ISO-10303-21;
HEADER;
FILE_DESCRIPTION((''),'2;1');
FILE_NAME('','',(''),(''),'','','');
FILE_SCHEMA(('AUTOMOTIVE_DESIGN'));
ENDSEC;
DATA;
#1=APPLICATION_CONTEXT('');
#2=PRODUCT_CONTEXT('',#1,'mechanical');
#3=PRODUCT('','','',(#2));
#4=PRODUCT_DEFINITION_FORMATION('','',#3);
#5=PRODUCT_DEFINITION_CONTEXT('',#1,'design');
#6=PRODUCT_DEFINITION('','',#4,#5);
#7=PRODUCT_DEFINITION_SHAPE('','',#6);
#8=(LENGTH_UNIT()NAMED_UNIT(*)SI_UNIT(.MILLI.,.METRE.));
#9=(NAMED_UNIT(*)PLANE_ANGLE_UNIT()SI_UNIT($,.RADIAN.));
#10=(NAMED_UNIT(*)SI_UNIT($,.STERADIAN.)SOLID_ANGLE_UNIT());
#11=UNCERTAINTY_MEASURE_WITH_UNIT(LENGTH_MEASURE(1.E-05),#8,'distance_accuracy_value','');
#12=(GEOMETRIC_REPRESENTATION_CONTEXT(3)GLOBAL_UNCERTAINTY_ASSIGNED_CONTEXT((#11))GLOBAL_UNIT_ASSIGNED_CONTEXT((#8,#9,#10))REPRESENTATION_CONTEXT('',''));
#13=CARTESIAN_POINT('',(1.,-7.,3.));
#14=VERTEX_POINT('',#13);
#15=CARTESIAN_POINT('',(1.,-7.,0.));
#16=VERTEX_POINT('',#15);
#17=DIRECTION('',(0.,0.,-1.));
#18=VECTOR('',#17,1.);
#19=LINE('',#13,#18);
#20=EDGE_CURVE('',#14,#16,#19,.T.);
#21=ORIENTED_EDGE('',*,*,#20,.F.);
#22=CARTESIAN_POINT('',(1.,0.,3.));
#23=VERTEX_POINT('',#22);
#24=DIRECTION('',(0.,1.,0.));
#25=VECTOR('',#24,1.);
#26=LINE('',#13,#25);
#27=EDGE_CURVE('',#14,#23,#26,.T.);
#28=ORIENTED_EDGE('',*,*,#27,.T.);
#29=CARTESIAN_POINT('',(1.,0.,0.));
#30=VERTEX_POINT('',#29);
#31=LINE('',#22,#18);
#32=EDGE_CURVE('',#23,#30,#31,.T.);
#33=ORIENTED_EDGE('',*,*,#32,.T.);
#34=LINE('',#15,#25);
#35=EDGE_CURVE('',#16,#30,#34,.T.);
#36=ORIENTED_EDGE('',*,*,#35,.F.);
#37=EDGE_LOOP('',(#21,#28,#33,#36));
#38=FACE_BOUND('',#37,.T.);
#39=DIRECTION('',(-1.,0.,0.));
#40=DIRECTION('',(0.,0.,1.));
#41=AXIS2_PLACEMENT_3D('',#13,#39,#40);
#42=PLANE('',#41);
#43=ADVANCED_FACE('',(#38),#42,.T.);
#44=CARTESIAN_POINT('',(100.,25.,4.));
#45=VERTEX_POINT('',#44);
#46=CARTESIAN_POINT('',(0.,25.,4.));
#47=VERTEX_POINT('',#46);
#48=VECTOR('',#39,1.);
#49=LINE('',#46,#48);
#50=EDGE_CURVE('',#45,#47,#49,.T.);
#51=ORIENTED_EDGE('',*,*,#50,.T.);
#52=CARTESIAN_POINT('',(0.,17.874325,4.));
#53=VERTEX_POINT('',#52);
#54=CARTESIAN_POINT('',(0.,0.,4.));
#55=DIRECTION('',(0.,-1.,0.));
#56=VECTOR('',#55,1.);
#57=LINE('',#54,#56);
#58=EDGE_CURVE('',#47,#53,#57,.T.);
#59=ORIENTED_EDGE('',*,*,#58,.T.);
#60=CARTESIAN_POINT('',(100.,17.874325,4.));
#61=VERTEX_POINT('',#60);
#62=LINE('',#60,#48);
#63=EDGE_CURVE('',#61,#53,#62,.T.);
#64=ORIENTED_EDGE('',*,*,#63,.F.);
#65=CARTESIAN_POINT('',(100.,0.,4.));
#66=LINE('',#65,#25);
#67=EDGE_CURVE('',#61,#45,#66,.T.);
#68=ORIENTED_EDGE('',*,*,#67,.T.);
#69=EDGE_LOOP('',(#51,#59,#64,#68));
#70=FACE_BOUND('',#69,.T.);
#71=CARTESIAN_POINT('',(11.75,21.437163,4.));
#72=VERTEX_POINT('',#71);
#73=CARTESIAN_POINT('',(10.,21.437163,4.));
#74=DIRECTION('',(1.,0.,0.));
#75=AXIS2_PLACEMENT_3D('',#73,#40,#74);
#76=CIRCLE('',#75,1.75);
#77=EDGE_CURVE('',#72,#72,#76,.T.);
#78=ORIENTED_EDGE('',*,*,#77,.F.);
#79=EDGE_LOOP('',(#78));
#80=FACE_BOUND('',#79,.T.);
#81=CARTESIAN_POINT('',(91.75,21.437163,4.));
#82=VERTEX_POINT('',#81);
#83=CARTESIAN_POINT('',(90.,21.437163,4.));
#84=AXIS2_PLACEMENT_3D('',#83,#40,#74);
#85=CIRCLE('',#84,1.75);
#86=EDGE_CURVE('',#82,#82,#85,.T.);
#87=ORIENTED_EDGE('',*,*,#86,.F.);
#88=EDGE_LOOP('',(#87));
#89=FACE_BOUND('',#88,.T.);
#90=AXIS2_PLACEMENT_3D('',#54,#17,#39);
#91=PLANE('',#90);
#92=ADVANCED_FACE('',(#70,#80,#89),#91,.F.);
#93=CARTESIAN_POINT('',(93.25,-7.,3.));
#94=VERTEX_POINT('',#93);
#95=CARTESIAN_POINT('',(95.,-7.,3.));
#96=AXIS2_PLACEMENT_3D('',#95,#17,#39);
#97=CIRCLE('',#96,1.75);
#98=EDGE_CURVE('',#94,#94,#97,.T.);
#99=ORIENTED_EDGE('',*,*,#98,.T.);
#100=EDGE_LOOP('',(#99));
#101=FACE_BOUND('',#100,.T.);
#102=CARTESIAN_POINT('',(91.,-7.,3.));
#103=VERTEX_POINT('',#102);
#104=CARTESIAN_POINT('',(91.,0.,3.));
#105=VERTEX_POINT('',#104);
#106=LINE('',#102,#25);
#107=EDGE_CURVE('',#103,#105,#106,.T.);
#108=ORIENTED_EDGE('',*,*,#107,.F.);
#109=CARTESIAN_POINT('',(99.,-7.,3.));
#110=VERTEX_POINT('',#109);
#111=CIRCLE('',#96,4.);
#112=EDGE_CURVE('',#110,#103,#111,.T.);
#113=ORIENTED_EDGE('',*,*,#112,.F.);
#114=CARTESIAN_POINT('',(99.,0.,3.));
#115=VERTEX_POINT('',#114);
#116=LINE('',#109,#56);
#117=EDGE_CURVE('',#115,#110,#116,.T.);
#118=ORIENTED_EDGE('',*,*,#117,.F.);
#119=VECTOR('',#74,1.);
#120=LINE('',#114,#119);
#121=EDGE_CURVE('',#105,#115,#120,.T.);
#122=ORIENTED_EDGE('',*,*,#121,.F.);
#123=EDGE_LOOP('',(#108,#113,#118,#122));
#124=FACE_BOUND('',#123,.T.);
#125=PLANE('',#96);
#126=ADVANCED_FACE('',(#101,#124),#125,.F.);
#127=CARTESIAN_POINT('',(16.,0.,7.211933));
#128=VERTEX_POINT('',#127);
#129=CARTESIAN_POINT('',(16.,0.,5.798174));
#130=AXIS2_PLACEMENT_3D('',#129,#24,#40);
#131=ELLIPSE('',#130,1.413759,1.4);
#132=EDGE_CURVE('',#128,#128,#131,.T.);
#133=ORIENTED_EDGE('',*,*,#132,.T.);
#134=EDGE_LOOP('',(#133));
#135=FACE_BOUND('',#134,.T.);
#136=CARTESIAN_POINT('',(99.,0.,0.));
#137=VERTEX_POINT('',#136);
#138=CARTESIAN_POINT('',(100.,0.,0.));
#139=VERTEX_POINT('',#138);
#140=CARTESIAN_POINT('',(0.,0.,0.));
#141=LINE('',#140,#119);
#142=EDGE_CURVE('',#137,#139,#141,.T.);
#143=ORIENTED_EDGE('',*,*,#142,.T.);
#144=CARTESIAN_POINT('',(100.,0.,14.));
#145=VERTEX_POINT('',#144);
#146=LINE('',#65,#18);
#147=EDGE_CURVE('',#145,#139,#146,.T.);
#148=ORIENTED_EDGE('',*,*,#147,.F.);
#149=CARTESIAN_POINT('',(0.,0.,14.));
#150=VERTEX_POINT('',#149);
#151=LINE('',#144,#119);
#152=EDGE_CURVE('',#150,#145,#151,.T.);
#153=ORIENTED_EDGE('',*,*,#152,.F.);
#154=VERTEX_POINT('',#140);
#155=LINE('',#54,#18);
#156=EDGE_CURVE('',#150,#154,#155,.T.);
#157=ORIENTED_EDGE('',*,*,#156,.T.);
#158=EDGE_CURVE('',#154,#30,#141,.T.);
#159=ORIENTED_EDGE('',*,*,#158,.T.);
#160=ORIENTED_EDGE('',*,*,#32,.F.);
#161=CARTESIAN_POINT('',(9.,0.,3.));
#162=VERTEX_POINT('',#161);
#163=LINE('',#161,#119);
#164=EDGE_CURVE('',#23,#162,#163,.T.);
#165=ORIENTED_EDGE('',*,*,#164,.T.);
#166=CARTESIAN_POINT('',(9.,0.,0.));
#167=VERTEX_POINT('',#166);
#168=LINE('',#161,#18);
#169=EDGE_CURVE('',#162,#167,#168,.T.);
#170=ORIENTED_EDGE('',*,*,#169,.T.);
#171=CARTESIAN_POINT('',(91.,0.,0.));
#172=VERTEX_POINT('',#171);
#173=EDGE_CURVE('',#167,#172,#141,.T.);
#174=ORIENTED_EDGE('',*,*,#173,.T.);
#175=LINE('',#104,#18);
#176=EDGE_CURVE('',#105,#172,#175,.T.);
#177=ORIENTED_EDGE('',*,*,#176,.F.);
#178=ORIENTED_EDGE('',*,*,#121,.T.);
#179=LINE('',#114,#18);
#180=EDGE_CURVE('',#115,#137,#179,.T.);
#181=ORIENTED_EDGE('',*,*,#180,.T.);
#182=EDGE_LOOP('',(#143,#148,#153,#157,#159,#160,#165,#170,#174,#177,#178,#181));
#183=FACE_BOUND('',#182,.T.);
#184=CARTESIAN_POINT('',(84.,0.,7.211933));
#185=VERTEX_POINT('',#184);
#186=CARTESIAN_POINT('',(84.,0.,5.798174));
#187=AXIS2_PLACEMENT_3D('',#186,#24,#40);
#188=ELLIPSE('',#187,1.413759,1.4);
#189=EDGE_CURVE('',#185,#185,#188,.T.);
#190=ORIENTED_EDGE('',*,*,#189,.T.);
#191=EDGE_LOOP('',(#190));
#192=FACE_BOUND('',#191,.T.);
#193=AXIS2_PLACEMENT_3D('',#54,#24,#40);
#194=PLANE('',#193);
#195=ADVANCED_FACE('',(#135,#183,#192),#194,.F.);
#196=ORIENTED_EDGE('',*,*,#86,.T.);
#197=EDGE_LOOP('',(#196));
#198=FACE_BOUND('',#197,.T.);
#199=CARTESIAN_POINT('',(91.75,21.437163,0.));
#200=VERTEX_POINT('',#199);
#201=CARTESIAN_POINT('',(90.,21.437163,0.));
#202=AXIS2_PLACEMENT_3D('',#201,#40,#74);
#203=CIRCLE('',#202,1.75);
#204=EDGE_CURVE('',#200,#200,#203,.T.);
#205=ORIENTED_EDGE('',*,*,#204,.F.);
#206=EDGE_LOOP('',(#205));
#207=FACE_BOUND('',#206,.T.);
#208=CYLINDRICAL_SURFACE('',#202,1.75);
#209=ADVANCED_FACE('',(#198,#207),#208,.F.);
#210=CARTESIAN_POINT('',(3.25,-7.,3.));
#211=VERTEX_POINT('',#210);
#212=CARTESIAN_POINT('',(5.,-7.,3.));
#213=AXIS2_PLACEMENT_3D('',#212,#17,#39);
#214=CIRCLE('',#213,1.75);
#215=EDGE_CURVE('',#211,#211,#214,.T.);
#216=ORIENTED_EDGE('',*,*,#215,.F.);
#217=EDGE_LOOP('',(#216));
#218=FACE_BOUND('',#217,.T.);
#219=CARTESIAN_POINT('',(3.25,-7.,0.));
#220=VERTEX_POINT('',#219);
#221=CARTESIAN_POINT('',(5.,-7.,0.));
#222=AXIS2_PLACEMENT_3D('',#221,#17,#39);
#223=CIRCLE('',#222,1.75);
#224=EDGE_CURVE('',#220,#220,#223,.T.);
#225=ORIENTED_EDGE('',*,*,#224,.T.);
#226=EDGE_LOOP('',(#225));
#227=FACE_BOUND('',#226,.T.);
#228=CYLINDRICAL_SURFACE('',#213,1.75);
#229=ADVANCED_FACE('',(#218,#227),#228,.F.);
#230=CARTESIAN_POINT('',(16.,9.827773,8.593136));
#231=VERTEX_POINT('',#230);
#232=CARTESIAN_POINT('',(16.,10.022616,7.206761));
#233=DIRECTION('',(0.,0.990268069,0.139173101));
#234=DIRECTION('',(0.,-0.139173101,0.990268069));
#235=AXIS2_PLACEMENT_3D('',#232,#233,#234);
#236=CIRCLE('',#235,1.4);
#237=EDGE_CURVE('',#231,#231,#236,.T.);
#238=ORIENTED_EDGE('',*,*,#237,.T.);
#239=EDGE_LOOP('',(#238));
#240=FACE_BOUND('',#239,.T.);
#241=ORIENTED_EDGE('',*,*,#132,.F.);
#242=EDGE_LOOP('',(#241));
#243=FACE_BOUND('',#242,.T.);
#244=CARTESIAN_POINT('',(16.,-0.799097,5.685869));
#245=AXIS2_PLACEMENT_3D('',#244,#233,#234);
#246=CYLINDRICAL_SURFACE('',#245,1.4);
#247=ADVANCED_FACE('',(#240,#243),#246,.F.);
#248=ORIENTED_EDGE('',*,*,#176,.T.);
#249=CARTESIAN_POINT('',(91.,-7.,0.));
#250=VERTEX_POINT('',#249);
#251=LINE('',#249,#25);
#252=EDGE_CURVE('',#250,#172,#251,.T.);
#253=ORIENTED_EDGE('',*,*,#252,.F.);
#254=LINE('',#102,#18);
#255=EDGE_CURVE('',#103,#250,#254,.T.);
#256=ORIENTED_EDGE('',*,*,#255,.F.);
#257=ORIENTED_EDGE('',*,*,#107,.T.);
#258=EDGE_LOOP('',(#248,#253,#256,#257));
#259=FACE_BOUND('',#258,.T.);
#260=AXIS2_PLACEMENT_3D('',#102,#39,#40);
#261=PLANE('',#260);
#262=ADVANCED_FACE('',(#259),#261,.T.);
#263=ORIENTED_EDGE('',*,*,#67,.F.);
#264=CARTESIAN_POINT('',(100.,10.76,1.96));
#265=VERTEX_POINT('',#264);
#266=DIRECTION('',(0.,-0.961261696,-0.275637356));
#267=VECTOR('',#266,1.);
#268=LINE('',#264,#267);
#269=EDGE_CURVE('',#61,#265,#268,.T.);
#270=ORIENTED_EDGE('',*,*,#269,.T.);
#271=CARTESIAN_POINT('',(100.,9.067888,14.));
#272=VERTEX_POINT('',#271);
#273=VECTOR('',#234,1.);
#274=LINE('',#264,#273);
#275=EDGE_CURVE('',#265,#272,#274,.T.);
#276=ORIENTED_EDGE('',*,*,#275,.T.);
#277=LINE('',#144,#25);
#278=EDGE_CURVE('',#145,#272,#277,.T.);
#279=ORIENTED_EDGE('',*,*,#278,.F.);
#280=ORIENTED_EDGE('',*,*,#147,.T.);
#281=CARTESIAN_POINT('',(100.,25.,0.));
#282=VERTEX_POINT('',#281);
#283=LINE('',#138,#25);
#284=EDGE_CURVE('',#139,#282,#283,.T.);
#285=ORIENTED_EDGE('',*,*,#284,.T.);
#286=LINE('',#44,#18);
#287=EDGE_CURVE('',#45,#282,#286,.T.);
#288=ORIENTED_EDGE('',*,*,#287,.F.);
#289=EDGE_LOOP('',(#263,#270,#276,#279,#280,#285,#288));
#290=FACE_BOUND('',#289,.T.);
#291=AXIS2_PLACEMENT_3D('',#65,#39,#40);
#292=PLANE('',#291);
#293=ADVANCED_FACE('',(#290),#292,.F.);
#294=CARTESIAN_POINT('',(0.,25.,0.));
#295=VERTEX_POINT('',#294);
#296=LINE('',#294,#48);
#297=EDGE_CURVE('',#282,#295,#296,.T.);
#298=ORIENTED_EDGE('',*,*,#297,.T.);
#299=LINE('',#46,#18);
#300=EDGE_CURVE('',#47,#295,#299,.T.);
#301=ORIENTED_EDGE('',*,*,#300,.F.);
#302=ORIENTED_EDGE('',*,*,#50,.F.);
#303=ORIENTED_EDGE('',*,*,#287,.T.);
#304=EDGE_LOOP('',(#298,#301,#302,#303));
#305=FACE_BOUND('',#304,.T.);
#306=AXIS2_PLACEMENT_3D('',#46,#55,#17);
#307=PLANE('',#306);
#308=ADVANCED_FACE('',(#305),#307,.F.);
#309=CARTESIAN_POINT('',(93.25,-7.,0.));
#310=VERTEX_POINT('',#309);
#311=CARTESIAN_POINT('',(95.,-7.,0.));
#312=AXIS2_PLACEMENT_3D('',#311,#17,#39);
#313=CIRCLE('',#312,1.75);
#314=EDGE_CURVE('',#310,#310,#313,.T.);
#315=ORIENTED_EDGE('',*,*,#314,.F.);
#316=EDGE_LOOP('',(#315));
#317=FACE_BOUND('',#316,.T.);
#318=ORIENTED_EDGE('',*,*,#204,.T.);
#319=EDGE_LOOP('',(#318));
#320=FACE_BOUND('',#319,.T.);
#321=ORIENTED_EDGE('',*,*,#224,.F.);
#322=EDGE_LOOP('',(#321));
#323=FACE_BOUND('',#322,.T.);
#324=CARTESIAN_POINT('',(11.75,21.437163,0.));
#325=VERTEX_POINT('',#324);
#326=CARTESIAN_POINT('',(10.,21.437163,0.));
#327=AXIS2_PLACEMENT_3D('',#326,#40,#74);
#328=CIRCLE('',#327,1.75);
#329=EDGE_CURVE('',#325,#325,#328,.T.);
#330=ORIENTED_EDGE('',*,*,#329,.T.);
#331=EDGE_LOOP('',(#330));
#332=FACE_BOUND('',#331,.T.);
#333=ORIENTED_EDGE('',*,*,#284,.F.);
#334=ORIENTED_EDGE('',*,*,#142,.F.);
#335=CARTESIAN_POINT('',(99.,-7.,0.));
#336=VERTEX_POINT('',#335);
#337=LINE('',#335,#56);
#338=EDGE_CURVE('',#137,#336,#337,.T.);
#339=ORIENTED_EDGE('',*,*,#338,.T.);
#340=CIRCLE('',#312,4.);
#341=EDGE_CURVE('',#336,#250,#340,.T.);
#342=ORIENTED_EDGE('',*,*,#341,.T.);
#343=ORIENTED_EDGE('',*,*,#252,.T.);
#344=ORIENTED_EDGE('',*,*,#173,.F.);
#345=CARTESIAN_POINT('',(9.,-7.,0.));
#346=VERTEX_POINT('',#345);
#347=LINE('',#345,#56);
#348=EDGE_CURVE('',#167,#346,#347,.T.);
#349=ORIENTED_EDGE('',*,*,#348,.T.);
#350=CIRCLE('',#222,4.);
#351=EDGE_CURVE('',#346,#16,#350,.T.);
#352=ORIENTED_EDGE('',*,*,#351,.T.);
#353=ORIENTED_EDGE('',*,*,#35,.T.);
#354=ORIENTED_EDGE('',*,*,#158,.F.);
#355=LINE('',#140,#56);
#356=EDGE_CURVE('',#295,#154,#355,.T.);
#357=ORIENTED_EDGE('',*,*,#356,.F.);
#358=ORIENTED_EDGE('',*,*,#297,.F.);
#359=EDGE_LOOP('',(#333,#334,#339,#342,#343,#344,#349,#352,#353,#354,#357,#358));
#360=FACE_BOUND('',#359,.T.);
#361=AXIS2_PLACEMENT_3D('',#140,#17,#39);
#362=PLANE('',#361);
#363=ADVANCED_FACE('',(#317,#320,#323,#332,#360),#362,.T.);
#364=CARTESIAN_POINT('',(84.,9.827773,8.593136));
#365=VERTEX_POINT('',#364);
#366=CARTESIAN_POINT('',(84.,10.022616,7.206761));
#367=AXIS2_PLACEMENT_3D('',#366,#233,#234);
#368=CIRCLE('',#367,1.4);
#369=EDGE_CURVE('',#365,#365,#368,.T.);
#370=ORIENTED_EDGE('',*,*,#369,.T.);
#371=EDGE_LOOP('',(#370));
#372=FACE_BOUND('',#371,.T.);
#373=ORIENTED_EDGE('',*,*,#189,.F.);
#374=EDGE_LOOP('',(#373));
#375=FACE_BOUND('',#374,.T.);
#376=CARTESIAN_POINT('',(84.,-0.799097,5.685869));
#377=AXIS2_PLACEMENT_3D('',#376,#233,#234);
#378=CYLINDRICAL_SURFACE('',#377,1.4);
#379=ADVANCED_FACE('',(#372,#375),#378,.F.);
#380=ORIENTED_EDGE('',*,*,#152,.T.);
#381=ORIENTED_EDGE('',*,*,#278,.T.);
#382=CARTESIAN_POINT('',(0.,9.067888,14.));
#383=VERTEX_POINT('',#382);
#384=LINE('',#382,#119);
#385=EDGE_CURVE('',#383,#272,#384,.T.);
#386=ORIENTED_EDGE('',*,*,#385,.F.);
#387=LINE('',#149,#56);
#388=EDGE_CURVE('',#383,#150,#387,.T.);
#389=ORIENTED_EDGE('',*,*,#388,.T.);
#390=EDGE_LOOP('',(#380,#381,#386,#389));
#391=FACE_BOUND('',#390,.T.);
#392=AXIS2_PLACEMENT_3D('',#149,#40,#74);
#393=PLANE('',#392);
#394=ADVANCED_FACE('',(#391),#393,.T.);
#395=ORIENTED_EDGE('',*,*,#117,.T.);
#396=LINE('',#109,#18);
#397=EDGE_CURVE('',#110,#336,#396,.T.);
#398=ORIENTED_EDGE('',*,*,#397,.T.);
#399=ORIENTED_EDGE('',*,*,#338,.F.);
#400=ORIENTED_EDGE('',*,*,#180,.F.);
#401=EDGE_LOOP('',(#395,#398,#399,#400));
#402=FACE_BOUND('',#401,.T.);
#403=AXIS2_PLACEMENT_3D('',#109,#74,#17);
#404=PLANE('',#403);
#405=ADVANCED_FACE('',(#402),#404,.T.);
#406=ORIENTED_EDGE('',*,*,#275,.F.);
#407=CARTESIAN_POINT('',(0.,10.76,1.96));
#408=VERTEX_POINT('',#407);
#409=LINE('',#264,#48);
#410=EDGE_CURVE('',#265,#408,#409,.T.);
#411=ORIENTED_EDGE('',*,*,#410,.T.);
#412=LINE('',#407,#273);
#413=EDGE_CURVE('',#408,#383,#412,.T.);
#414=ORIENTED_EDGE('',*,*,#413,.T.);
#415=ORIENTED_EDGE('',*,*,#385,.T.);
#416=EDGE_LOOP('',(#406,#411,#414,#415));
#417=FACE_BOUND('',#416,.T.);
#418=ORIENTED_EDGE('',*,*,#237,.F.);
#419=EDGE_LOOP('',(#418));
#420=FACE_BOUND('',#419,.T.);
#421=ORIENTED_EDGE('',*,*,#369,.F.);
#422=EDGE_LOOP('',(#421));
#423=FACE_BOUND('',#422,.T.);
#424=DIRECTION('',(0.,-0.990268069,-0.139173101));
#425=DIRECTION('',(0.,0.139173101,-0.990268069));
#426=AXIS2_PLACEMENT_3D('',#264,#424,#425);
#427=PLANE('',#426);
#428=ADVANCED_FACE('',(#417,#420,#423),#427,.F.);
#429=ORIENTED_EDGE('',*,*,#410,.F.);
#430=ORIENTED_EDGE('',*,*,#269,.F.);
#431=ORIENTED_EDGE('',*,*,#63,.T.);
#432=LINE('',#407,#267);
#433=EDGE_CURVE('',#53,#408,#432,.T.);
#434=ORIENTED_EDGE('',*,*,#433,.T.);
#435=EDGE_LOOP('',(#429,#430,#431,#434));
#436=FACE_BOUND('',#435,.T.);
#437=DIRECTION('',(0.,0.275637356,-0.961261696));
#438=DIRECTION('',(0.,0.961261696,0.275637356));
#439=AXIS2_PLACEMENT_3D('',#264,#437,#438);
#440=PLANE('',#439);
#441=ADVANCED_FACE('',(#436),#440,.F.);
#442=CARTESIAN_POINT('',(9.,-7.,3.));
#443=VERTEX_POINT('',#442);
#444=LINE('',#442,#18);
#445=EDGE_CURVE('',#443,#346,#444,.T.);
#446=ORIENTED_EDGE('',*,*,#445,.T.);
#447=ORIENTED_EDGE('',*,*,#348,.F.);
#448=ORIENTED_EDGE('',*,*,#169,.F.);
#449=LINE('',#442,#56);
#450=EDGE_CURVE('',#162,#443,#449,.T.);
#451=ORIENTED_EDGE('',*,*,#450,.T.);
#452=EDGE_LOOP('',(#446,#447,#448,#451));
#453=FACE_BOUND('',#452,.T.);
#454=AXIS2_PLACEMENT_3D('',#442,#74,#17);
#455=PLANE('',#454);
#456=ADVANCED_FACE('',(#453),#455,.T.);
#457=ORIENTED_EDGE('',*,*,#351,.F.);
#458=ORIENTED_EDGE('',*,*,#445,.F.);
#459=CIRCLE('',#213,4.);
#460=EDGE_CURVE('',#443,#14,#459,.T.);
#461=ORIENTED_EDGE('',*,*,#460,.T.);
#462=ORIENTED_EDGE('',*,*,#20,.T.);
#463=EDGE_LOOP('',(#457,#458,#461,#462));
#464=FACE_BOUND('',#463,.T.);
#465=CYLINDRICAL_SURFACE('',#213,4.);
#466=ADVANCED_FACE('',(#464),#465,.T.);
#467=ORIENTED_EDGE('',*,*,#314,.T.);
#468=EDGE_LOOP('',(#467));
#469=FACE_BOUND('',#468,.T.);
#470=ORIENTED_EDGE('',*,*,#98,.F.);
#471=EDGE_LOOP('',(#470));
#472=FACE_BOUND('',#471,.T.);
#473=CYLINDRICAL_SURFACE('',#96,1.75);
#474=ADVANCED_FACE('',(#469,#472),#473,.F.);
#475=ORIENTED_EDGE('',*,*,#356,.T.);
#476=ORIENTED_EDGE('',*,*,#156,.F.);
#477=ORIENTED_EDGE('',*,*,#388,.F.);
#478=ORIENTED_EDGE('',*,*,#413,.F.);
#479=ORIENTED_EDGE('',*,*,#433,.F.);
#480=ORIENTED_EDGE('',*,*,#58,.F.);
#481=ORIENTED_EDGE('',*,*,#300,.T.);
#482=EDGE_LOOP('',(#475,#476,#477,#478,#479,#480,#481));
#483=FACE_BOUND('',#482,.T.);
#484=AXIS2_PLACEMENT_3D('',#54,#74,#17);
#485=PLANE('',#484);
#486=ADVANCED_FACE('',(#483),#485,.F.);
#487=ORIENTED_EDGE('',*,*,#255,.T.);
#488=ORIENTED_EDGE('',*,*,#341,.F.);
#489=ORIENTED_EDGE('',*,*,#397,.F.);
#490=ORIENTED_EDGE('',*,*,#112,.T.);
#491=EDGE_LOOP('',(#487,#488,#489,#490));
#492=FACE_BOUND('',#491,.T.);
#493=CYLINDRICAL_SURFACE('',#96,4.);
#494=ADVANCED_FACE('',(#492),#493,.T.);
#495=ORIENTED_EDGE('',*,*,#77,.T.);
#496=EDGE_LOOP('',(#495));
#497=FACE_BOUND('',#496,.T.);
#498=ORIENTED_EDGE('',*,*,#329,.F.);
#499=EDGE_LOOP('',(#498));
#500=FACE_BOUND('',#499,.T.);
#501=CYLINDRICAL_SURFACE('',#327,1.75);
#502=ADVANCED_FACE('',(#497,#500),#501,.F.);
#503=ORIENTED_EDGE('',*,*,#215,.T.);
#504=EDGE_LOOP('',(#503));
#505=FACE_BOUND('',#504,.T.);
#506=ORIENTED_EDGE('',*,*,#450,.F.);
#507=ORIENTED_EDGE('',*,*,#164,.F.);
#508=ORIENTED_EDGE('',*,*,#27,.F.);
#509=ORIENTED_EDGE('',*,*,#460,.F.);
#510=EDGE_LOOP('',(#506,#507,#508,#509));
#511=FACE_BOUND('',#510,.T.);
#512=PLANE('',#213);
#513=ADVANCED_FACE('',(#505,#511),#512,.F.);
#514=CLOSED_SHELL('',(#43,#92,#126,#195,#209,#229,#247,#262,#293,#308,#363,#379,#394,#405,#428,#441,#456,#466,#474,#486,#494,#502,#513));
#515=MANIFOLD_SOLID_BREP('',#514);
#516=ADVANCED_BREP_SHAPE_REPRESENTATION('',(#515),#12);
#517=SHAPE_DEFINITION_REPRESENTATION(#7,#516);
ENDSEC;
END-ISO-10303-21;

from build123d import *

# Parameters (mm, degrees)
SKETCH_1_W          = 100
SKETCH_1_H          = 25
EXTRUDE_1_DEPTH     = 4
SKETCH_2_W          = 100
SKETCH_2_H          = 10.76
EXTRUDE_2_DEPTH     = 10
CUT_EXTRUDE_1_DEPTH = 105.024035684
SKETCH_6_R          = 1.4
CUT_EXTRUDE_2_DEPTH = 102.768128406
SKETCH_7_R          = 1.75
EXTRUDE_3_DEPTH     = 3
SKETCH_8_R          = 1.75
CUT_EXTRUDE_3_DEPTH = 104.561575886


with BuildPart() as part:
    # 스케치1 → 보스-돌출1 (new body)
    with BuildSketch(Plane.XY):
        with Locations((50, 12.5)):
            Rectangle(SKETCH_1_W, SKETCH_1_H)
    extrude(amount=EXTRUDE_1_DEPTH)

    # 스케치2 → 보스-돌출2 (add)
    with BuildSketch(Plane.XY.offset(4)):
        with Locations((50, 5.38)):
            Rectangle(SKETCH_2_W, SKETCH_2_H)
    extrude(amount=EXTRUDE_2_DEPTH)

    # 스케치5 → 컷-돌출1 (cut, through all)
    with BuildSketch(Plane.ZY):
        Polygon((1.96, 10.76), (19, 8.365184177), (4, 17.874325465), align=None)
    extrude(amount=-CUT_EXTRUDE_1_DEPTH, mode=Mode.SUBTRACT)

    # 스케치6 → 컷-돌출2 (cut, through all)
    with BuildSketch(Plane(origin=(0, 10.821712533, 1.520892512), x_dir=(1, 0, 0), z_dir=(0, 0.9902680687415709, 0.1391731009600619))):
        with Locations(Location((16, -5.741746822, 0), (0, 0, 270))):
            Circle(SKETCH_6_R)
        with Locations(Location((84, -5.741746822, 0), (0, 0, 270))):
            Circle(SKETCH_6_R)
    extrude(amount=-CUT_EXTRUDE_2_DEPTH, mode=Mode.SUBTRACT)

    # 스케치7 → 보스-돌출3 (add)
    # profile 1 of 2: a face of its own
    with BuildSketch(Plane(origin=(0, 0, 0), x_dir=(-1, 0, 0), z_dir=(0, 0, -1))):
        with BuildLine():
            Line((-99, -7), (-99, 0))
            Line((-99, 0), (-91, 0))
            Line((-91, 0), (-91, -7))
            ThreePointArc((-91, -7), (-95, -11), (-99, -7))
        make_face()
        with Locations((-95, -7)):
            Circle(SKETCH_7_R, mode=Mode.SUBTRACT)
    # profile 2 of 2: a face of its own
    with BuildSketch(Plane(origin=(0, 0, 0), x_dir=(-1, 0, 0), z_dir=(0, 0, -1))):
        with BuildLine():
            Line((-9, -7), (-9, 0))
            Line((-9, 0), (-1, 0))
            Line((-1, 0), (-1, -7))
            ThreePointArc((-1, -7), (-5, -11), (-9, -7))
        make_face()
        with Locations((-5, -7)):
            Circle(SKETCH_7_R, mode=Mode.SUBTRACT)
    extrude(amount=-EXTRUDE_3_DEPTH)

    # 스케치8 → 컷-돌출3 (cut, through all)
    with BuildSketch(Plane.XY.offset(4)):
        with Locations((10, 21.437162733)):
            Circle(SKETCH_8_R)
        with Locations((90, 21.437162733)):
            Circle(SKETCH_8_R)
    extrude(amount=-CUT_EXTRUDE_3_DEPTH, mode=Mode.SUBTRACT)


solid = part.part
